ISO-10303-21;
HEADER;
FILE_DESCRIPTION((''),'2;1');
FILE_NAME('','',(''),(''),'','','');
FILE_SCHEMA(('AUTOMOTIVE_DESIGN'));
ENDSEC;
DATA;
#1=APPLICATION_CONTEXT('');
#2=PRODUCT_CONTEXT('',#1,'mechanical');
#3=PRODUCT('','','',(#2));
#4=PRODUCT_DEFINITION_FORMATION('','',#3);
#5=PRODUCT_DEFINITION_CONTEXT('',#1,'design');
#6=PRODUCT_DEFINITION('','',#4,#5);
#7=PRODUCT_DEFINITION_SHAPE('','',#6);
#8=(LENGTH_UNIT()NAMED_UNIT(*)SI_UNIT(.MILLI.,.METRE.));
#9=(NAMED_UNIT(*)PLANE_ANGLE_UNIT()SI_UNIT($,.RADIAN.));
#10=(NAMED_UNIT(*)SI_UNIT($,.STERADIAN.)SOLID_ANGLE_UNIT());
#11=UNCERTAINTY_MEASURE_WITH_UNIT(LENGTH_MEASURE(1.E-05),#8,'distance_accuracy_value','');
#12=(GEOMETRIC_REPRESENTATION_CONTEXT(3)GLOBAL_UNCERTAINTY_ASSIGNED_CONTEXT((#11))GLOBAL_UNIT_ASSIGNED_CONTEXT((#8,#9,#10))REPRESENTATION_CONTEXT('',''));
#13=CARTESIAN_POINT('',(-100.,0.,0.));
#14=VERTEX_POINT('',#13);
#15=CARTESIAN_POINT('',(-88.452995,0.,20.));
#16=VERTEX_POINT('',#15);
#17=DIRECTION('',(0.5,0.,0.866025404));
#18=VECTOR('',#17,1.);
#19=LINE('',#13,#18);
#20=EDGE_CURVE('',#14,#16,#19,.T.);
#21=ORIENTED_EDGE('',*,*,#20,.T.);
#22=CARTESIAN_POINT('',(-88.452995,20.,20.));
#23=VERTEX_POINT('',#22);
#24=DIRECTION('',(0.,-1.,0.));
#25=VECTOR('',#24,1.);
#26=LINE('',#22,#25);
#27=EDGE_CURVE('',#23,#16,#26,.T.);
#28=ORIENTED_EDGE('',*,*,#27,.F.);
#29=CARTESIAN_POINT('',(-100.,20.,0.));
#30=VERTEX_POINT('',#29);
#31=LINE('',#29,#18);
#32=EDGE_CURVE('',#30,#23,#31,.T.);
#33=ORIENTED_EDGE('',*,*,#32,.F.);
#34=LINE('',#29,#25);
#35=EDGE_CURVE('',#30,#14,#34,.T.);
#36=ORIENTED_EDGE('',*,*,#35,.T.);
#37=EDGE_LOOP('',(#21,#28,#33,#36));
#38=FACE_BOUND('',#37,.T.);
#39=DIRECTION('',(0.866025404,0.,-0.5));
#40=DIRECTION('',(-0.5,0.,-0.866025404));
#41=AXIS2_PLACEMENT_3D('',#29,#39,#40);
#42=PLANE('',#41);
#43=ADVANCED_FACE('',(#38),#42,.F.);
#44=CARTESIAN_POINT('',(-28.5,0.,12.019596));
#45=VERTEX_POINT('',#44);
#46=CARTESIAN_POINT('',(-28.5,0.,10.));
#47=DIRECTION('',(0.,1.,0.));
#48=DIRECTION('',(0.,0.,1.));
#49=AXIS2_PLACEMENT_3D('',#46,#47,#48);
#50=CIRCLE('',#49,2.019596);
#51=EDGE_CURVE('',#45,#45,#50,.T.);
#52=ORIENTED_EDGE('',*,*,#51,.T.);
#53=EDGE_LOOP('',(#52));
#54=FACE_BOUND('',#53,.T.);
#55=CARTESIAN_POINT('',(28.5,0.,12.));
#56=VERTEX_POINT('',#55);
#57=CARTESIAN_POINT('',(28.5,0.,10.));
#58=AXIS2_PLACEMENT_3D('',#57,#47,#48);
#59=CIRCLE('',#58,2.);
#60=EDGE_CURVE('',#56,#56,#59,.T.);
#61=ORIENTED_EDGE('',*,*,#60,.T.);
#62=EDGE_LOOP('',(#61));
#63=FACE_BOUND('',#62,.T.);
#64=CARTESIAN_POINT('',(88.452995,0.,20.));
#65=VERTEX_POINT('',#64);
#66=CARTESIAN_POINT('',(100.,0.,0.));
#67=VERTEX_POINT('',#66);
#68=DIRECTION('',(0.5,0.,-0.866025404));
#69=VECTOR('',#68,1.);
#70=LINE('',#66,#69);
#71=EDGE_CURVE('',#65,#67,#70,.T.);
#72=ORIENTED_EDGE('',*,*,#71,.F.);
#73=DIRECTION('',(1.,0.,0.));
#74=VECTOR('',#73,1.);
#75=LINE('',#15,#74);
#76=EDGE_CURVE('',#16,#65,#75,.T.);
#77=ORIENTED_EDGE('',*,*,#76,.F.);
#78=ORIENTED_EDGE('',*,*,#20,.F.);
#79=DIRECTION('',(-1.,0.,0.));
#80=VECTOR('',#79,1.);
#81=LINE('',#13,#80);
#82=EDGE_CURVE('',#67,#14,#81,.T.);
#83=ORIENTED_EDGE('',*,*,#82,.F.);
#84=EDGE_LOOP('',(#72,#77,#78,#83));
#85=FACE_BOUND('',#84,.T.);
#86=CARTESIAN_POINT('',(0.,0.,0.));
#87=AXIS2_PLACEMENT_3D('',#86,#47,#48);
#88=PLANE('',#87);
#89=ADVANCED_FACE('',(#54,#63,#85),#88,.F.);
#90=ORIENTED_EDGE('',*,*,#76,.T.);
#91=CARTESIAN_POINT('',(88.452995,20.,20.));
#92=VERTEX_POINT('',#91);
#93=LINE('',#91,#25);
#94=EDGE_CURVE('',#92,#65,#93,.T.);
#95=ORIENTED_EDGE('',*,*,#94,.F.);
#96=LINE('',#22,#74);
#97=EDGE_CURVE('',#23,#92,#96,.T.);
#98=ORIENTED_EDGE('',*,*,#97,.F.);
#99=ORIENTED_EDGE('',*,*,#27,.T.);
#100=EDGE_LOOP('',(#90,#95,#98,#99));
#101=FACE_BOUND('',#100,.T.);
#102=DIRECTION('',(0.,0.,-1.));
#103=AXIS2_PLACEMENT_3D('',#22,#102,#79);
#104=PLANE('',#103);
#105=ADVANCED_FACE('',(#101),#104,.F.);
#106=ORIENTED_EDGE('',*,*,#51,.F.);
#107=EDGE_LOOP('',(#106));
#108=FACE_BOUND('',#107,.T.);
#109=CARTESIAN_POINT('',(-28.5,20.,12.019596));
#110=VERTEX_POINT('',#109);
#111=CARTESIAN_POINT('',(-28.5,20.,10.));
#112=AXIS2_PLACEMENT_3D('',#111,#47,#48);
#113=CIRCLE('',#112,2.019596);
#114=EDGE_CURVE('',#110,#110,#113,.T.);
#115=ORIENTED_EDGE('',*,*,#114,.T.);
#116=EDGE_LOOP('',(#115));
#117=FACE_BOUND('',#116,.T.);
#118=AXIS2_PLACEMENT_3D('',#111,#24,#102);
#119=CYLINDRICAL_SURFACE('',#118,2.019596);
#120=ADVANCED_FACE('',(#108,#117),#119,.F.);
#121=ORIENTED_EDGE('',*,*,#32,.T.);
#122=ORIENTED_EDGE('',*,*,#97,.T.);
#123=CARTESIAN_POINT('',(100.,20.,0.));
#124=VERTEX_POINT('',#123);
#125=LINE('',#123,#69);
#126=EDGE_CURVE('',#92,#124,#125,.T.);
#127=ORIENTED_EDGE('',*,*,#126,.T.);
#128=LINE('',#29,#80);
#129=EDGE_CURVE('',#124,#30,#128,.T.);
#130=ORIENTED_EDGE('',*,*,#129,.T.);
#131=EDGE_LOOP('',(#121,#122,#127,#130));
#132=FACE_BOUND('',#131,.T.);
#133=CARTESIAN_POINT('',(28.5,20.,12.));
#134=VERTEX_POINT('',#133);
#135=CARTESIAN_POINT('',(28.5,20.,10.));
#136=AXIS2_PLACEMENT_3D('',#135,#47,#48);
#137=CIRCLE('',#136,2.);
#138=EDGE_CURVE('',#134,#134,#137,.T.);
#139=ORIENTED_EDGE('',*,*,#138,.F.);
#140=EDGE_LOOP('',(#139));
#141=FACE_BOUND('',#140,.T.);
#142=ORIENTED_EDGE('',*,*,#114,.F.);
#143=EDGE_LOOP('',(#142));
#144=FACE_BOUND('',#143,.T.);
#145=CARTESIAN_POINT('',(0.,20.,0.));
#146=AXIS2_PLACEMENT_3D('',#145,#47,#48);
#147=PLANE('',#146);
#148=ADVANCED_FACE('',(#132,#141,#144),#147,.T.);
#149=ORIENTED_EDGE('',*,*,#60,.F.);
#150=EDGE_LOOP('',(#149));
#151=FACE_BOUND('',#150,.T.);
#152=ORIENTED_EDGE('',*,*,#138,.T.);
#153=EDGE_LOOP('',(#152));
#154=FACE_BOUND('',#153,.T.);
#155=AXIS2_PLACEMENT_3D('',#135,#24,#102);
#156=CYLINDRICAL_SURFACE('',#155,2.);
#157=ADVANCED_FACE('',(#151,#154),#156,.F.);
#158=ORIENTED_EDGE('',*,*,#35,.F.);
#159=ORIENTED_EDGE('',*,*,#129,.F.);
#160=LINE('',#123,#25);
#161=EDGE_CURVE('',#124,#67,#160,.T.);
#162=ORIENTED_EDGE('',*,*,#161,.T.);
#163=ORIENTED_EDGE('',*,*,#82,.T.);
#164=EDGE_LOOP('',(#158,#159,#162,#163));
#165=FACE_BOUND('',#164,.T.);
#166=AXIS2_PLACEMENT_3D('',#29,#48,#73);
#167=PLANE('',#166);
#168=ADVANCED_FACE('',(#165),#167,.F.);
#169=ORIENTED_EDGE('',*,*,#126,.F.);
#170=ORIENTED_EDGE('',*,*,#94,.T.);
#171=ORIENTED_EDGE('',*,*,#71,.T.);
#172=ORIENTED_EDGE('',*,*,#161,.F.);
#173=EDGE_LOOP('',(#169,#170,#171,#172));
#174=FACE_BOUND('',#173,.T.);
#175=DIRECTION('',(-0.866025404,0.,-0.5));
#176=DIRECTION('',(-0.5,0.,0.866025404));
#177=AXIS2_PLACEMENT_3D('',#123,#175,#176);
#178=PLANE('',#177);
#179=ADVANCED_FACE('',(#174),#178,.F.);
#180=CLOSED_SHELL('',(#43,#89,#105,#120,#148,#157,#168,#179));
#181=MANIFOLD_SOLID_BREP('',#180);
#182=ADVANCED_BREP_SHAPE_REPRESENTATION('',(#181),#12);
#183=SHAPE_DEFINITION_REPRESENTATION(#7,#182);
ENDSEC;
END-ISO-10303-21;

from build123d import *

# Parameters (mm, degrees)
SKETCH1_R           = 2.019595556
SKETCH1_R_2         = 2
BOSS_EXTRUDE1_DEPTH = 20


with BuildPart() as part:
    # Sketch1 → Boss-Extrude1 (new body)
    with BuildSketch(Plane(origin=(0, 0, 0), x_dir=(1, 0, 0), z_dir=(0, 1, 0))):
        Polygon((-100, 0), (100, 0), (88.452994616, -20), (-88.452994616, -20), align=None)
        with Locations(Location((-28.5, -10, 0), (0, 0, 270))):
            Circle(SKETCH1_R, mode=Mode.SUBTRACT)
        with Locations(Location((28.5, -10, 0), (0, 0, 270))):
            Circle(SKETCH1_R_2, mode=Mode.SUBTRACT)
    extrude(amount=BOSS_EXTRUDE1_DEPTH)


solid = part.part
